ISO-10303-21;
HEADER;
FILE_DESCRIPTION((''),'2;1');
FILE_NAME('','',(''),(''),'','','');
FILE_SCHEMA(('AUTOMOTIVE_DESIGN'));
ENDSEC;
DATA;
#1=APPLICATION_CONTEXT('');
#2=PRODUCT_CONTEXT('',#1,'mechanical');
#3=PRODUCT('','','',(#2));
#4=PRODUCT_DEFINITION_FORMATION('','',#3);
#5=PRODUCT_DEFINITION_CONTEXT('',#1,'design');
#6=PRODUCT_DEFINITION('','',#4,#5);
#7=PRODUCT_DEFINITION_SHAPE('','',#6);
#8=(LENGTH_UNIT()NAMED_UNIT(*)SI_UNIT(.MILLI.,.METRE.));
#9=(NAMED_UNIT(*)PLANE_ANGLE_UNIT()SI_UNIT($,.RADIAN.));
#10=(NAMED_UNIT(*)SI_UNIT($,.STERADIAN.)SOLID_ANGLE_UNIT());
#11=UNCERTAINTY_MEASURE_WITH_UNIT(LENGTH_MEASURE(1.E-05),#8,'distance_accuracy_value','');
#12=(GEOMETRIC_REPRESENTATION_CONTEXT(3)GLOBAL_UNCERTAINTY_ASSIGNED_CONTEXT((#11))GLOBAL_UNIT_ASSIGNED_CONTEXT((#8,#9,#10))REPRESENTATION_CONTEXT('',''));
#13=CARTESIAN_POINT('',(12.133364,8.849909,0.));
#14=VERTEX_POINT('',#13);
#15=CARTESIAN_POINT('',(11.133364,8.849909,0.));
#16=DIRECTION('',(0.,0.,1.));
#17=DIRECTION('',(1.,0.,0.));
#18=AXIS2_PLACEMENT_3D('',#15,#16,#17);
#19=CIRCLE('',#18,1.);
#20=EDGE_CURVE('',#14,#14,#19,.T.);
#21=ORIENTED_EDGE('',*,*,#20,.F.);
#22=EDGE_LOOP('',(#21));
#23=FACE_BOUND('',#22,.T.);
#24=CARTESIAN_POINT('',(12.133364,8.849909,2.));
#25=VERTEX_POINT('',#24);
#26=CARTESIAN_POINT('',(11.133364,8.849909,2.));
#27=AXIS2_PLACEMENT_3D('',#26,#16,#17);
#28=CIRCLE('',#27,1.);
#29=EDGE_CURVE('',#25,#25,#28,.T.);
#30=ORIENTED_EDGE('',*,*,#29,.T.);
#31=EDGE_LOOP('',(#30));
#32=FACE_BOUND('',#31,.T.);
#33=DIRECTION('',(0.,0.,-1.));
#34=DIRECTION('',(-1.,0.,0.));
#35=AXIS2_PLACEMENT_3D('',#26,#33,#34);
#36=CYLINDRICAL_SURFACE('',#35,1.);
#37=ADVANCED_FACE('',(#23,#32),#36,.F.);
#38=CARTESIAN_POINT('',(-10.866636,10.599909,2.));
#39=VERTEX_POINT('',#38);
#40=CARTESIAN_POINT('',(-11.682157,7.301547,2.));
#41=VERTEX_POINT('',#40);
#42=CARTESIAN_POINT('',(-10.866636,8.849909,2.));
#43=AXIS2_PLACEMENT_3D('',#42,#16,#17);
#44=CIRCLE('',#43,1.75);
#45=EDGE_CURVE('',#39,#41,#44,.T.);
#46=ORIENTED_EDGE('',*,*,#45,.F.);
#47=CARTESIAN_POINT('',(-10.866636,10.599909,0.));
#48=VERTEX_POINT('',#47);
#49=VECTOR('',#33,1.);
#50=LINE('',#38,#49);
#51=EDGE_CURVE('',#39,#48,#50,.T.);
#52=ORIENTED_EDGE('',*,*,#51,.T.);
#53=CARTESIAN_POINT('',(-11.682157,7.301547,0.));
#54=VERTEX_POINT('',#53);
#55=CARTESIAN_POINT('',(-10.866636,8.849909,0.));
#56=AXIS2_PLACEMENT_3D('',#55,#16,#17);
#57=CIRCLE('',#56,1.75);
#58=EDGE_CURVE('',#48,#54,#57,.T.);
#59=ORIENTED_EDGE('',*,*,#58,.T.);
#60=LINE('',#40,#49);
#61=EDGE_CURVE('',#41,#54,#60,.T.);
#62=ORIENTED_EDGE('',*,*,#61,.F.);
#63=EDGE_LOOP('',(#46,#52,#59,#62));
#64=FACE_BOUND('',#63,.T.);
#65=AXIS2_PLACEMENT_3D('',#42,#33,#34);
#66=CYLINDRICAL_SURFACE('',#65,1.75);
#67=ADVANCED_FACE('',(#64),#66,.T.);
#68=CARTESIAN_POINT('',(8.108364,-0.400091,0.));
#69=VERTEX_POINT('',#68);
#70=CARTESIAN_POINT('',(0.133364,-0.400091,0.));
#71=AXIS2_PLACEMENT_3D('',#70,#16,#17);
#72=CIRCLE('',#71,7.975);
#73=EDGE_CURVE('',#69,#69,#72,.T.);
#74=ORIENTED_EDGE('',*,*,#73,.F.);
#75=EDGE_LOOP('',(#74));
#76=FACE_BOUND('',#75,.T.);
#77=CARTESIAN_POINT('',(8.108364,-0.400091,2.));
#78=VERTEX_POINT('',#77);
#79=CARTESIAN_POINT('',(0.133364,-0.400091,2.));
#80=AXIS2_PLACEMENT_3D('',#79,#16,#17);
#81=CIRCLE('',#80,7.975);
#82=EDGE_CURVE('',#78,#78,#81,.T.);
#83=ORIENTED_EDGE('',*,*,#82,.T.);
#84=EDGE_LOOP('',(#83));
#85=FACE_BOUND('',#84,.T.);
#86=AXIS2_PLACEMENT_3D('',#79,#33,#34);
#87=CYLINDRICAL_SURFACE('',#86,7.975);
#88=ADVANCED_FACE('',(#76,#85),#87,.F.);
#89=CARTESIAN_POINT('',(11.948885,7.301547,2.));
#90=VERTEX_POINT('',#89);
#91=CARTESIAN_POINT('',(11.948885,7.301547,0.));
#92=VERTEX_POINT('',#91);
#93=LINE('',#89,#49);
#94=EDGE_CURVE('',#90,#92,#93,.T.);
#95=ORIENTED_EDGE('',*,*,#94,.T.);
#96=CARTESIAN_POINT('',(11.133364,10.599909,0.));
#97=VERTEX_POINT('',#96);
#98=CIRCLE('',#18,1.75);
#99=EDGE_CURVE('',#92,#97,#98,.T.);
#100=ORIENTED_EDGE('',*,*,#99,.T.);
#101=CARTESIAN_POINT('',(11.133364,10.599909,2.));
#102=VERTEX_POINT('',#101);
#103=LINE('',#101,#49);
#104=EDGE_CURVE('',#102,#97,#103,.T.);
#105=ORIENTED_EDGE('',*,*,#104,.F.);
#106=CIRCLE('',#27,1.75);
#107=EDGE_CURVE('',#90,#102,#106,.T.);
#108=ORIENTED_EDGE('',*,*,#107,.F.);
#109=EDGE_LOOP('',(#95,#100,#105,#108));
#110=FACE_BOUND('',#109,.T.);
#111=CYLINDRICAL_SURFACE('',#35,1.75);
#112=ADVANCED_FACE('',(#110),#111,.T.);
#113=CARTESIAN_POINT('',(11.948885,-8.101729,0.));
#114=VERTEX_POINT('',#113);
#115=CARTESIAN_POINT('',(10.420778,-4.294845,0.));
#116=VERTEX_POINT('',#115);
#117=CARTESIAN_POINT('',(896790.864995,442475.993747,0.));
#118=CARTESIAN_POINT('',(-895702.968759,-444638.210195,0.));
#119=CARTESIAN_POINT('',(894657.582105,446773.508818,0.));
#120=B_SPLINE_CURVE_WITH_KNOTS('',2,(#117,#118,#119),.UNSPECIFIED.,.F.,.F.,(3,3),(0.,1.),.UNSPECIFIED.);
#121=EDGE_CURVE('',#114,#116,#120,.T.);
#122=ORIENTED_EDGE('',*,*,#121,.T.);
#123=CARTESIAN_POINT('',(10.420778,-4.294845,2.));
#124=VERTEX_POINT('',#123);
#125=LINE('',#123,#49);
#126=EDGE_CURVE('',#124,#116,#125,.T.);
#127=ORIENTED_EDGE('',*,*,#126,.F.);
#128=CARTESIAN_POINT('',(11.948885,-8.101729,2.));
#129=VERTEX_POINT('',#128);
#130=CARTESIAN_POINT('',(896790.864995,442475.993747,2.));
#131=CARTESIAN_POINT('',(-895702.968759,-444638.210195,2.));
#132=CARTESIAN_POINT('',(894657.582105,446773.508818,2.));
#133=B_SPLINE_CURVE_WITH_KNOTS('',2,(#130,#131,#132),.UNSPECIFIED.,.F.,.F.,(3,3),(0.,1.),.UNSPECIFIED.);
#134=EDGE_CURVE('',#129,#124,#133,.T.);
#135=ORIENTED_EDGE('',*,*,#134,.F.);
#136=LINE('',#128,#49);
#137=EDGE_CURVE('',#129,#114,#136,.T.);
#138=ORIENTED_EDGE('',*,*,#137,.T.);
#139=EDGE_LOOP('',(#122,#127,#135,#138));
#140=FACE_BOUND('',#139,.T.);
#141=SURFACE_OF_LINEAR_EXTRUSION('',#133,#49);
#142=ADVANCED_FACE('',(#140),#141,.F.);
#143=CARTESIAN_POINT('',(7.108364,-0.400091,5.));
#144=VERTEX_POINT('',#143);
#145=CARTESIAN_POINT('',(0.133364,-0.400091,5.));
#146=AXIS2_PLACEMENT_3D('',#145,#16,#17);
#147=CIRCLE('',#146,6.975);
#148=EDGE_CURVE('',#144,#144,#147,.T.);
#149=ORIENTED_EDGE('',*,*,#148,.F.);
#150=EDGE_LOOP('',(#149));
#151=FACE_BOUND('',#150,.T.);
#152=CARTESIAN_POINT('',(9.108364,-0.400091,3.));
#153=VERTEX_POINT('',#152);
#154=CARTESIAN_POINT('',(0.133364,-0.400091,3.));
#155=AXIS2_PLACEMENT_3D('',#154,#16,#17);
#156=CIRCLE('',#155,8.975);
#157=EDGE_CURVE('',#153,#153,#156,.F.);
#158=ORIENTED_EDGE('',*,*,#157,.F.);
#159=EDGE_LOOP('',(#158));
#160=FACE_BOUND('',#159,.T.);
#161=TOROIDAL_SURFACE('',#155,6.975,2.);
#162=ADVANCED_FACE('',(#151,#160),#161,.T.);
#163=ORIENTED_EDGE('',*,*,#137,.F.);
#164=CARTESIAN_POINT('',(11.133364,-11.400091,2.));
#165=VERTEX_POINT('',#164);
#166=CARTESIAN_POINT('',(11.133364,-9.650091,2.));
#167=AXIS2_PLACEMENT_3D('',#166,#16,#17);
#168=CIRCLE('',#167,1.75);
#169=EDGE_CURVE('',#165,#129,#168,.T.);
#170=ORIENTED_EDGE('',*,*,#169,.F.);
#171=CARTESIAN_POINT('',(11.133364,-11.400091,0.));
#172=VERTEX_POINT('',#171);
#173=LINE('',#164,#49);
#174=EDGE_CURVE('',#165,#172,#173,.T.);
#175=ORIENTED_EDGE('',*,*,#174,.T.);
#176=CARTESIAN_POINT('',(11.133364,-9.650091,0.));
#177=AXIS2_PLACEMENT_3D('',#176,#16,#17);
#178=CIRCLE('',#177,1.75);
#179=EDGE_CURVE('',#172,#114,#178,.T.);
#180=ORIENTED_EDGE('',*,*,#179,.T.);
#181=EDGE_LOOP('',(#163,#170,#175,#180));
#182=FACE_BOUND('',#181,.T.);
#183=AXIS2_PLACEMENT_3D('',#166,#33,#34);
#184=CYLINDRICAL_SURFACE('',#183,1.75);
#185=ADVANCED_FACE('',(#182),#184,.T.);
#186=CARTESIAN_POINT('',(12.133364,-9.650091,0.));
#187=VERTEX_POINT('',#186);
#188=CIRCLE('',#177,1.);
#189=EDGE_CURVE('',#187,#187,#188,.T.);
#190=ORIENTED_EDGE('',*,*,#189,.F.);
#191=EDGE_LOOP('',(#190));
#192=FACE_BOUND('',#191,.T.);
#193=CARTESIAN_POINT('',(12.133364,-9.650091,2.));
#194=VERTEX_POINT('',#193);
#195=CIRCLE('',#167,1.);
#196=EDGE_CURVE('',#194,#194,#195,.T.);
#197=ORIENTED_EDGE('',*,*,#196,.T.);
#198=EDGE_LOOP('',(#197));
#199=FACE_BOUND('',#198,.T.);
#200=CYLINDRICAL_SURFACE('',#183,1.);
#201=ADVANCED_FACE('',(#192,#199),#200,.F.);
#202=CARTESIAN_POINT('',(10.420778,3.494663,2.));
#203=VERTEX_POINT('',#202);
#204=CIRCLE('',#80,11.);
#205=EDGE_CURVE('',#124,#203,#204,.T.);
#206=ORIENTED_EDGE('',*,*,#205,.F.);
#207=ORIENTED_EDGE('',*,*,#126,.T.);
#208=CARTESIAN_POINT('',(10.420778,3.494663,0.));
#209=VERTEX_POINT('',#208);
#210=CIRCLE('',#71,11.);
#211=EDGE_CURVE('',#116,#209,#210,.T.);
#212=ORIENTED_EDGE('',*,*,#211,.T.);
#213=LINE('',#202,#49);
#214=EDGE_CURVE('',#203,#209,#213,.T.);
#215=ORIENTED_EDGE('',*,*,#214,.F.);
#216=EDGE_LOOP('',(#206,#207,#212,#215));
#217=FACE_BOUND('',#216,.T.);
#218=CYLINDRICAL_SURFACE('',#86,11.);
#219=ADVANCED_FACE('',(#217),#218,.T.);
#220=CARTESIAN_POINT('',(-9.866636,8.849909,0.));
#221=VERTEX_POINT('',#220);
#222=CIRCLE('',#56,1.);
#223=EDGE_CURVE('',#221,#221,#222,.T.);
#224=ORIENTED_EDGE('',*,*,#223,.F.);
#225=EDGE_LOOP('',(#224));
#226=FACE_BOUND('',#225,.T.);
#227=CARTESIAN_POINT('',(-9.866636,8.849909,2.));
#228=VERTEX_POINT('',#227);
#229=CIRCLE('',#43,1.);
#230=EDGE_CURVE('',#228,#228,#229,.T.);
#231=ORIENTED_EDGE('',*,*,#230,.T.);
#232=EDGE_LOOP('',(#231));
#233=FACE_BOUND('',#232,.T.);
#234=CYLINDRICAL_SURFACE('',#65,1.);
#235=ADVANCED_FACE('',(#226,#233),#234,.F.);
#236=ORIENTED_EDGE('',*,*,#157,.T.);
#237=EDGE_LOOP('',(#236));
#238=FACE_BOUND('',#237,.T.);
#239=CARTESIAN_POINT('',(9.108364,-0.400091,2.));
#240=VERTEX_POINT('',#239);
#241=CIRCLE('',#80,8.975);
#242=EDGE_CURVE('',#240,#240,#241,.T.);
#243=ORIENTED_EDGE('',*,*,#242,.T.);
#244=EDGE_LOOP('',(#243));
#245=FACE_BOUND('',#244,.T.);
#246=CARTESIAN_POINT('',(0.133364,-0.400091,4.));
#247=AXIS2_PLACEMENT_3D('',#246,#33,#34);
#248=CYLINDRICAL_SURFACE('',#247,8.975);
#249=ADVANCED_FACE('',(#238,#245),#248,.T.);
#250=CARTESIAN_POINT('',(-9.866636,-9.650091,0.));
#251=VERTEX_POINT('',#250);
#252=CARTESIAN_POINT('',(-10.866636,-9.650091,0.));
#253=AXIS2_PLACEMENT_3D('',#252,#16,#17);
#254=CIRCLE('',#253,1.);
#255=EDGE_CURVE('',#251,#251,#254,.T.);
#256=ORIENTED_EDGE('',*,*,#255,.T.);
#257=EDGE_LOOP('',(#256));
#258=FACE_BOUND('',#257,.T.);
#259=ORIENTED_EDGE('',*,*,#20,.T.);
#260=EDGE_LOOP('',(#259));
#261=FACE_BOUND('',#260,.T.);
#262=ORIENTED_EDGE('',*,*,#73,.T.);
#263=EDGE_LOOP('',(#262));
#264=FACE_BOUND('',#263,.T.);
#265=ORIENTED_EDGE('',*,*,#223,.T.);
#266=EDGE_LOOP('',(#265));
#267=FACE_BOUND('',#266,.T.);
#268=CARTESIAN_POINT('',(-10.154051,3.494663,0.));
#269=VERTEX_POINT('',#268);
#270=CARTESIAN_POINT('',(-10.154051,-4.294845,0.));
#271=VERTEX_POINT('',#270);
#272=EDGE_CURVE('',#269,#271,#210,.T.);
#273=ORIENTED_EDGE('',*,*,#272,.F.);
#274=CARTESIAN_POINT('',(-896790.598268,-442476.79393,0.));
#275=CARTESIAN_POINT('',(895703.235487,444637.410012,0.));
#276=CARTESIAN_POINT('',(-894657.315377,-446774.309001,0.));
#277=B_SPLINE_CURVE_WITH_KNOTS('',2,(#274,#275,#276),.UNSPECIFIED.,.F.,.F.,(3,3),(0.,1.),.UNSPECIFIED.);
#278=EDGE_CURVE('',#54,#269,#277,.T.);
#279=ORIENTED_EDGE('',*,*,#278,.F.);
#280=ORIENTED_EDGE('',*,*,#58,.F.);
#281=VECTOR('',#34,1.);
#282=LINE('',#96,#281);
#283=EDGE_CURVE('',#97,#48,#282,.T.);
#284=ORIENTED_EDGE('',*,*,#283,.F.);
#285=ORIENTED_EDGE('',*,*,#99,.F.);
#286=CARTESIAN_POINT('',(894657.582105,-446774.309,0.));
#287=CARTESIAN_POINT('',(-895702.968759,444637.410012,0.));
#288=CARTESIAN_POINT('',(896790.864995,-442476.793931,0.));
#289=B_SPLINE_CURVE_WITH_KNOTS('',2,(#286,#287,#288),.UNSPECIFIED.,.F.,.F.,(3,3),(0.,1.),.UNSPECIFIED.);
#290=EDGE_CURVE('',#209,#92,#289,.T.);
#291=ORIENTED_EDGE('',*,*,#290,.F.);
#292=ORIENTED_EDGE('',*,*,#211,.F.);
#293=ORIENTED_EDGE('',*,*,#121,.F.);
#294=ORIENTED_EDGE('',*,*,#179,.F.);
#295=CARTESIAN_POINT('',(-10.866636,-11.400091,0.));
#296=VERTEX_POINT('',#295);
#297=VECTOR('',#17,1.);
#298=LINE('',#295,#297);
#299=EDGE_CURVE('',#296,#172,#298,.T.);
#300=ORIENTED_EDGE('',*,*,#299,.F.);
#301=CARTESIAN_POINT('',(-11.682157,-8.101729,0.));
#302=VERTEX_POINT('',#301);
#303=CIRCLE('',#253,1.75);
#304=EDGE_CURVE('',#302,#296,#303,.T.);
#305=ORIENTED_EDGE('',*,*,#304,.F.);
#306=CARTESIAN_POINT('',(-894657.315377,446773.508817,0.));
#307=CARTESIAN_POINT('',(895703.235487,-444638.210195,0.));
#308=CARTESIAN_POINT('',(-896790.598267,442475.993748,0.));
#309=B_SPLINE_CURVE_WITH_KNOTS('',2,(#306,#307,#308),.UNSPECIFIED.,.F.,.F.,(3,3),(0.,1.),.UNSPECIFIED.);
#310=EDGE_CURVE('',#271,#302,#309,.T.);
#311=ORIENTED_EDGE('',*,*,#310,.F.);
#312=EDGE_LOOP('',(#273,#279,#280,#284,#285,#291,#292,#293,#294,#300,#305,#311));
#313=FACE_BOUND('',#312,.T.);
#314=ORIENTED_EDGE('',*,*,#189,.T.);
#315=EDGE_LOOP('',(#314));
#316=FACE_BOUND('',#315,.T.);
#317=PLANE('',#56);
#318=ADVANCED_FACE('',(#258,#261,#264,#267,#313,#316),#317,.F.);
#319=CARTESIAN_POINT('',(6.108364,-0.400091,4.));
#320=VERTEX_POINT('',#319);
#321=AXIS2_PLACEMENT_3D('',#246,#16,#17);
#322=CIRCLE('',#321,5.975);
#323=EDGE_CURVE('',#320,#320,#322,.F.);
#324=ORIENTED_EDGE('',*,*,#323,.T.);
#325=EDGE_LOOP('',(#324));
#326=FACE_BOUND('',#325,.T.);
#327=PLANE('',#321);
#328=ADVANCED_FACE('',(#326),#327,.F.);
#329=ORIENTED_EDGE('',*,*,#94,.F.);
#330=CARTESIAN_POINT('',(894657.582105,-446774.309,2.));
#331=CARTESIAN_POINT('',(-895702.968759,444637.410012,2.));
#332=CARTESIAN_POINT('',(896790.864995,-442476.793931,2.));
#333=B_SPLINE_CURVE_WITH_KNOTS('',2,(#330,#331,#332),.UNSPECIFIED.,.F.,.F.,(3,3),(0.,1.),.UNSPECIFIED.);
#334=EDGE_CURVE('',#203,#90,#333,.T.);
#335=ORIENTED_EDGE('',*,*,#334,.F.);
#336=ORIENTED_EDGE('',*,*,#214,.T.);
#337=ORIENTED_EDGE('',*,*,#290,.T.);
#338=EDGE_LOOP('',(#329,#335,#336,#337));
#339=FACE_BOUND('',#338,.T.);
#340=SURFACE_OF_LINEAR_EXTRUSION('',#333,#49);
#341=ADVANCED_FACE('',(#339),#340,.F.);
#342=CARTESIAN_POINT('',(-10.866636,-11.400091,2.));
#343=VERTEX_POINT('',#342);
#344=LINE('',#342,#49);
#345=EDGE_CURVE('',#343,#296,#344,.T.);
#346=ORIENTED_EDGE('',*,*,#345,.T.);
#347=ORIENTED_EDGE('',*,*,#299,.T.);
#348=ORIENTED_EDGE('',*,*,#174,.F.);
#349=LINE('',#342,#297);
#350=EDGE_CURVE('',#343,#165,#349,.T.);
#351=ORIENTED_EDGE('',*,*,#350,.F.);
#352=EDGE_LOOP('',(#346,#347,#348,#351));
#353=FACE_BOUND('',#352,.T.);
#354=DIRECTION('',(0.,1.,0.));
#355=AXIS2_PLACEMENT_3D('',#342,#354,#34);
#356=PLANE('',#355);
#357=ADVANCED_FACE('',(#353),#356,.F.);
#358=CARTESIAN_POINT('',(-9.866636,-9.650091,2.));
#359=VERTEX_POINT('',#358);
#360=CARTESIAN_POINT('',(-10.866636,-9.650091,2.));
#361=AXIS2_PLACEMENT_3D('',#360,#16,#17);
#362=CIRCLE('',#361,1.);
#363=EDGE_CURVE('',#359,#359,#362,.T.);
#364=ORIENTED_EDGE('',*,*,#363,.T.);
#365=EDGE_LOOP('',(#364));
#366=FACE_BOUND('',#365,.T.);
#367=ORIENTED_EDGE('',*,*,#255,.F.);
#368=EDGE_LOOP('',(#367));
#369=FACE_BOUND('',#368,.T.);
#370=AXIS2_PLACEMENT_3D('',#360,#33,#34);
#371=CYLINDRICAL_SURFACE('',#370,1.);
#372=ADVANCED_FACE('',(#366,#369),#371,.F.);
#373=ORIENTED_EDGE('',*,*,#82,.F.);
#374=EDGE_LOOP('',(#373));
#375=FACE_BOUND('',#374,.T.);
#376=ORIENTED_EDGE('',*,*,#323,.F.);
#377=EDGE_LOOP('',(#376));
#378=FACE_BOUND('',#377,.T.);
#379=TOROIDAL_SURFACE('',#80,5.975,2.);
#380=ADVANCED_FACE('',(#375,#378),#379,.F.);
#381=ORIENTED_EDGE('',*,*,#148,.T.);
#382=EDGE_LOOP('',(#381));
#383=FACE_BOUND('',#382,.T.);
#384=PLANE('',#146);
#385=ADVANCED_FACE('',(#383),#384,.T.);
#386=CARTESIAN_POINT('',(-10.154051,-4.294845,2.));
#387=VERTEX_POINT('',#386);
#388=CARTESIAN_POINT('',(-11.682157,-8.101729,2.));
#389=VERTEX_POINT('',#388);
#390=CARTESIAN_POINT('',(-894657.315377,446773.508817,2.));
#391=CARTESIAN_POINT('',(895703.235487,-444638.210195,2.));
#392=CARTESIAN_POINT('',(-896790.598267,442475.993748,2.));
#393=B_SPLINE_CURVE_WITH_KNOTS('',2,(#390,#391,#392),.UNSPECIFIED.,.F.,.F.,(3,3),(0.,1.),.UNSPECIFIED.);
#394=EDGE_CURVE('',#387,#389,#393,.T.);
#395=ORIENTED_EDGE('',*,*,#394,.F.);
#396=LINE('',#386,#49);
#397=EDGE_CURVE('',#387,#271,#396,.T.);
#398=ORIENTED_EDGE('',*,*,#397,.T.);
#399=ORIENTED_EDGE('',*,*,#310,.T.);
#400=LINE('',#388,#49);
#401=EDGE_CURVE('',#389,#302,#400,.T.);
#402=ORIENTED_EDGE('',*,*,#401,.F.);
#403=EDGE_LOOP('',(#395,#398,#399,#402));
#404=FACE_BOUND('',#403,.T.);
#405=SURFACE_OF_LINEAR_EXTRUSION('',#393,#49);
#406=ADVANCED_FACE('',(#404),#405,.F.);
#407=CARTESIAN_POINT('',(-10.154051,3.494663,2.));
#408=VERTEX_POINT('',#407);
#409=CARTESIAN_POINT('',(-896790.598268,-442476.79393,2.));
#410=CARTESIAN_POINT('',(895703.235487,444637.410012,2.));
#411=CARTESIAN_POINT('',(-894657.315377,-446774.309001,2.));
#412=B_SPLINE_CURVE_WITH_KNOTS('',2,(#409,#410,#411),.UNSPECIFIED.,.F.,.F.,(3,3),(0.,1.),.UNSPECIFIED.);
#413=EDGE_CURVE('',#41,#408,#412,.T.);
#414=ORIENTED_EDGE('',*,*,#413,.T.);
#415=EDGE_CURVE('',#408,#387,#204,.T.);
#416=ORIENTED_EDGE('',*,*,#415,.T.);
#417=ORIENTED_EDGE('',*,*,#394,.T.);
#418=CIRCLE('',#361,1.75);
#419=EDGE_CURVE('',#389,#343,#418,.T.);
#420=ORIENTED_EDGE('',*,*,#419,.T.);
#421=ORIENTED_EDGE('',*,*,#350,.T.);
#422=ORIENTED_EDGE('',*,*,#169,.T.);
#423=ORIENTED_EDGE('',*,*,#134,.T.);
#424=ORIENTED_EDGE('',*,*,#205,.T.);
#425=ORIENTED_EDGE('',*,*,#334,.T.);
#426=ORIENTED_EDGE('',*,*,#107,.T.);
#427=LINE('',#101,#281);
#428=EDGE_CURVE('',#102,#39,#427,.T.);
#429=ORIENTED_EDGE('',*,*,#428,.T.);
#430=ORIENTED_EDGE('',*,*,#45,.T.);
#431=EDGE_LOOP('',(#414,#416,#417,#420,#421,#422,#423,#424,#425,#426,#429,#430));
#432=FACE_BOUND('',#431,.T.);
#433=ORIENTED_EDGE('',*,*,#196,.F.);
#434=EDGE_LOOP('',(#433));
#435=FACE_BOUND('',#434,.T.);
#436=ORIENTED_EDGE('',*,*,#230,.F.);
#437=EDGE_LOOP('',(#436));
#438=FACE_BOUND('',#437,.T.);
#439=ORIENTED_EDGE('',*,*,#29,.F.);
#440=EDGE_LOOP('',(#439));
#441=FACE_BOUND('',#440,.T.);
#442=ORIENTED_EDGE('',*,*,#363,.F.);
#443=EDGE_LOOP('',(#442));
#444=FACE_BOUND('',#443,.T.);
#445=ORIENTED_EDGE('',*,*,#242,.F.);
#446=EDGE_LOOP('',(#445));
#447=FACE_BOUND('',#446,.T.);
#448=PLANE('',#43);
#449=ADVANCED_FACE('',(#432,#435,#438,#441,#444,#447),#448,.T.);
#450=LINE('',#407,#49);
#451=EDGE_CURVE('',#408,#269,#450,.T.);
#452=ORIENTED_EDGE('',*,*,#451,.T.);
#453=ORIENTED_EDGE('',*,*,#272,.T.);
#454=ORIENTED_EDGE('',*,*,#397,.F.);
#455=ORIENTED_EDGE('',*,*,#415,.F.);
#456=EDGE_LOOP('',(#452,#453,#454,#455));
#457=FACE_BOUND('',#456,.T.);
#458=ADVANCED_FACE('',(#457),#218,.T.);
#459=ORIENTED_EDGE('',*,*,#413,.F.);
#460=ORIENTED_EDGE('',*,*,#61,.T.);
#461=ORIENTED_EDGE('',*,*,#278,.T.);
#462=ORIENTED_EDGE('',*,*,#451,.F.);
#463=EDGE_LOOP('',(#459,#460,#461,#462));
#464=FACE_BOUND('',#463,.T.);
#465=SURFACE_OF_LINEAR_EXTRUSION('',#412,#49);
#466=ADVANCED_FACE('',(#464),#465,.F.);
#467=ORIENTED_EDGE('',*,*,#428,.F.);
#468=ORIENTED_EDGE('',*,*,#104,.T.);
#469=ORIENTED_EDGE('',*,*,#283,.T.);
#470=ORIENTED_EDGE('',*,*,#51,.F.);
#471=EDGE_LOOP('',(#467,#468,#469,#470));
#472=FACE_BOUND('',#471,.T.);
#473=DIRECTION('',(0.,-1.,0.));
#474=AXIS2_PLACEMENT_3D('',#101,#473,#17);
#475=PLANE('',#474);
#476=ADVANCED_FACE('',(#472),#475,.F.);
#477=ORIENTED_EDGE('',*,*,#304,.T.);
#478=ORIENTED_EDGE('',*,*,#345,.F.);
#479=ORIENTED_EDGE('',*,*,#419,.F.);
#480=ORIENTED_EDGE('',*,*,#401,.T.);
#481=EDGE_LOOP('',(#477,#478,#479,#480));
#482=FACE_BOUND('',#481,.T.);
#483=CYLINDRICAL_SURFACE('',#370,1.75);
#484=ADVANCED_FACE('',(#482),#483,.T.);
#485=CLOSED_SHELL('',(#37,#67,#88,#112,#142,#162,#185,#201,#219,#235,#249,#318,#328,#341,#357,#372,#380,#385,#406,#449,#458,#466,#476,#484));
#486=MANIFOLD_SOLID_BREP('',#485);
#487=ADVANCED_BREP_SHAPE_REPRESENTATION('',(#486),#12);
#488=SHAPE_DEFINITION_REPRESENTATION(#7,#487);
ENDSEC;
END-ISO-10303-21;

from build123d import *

# Parameters (mm, degrees)
SKETCH1_R           = 1
SKETCH1_R_2         = 7.975
BOSS_EXTRUDE1_DEPTH = 2
SKETCH2_R           = 8.975
SKETCH2_R_2         = 7.975
BOSS_EXTRUDE2_DEPTH = 2
SKETCH3_R           = 8.975
BOSS_EXTRUDE3_DEPTH = 1
FILLET1_R           = 2


with BuildPart() as part:
    # Sketch1 → Boss-Extrude1 (new body)
    with BuildSketch(Plane.XY):
        with BuildLine():
            Line((-10.866636256, -11.400091233), (11.133363744, -11.400091233))
            ThreePointArc((11.133363744, -11.400091233), (12.832206534, -10.070130727), (11.948884962, -8.101729149))
            add(Edge.make_bspline(
                [(11.948884962, -8.101729149), (9.883447826, -6.844292891), (10.420778008, -4.294845111)],
                knots=[0, 0, 0, 1, 1, 1], degree=2))
            ThreePointArc((10.420778008, -4.294845111), (11.133363745, -0.400091249), (10.420778018, 3.494662613))
            add(Edge.make_bspline(
                [(10.420778018, 3.494662613), (9.883447814, 6.044110418), (11.948884963, 7.301546684)],
                knots=[0, 0, 0, 1, 1, 1], degree=2))
            ThreePointArc((11.948884963, 7.301546684), (12.832206534, 9.269948262), (11.133363744, 10.599908767))
            Line((11.133363744, 10.599908767), (-10.866636256, 10.599908767))
            ThreePointArc((-10.866636256, 10.599908767), (-12.565479045, 9.269948261), (-11.682157474, 7.301546683))
            add(Edge.make_bspline(
                [(-11.682157474, 7.301546683), (-9.616720338, 6.044110425), (-10.15405052, 3.494662645)],
                knots=[0, 0, 0, 1, 1, 1], degree=2))
            ThreePointArc((-10.15405052, 3.494662645), (-10.866636257, -0.400091216), (-10.15405053, -4.294845078))
            add(Edge.make_bspline(
                [(-10.15405053, -4.294845078), (-9.616720326, -6.844292883), (-11.682157475, -8.101729149)],
                knots=[0, 0, 0, 1, 1, 1], degree=2))
            ThreePointArc((-11.682157475, -8.101729149), (-12.565479045, -10.070130727), (-10.866636256, -11.400091233))
        make_face()
        with Locations((-10.866636256, -9.650091233)):
            Circle(SKETCH1_R, mode=Mode.SUBTRACT)
        with Locations((11.133363744, -9.650091233)):
            Circle(SKETCH1_R, mode=Mode.SUBTRACT)
        with Locations((-10.866636256, 8.849908767)):
            Circle(SKETCH1_R, mode=Mode.SUBTRACT)
        with Locations((11.133363744, 8.849908767)):
            Circle(SKETCH1_R, mode=Mode.SUBTRACT)
        with Locations((0.133363744, -0.400091233)):
            Circle(SKETCH1_R_2, mode=Mode.SUBTRACT)
    extrude(amount=BOSS_EXTRUDE1_DEPTH)

    # Sketch2 → Boss-Extrude2 (add)
    with BuildSketch(Plane.XY.offset(2)):
        with Locations((0.133363744, -0.400091233)):
            Circle(SKETCH2_R)
        with Locations((0.133363744, -0.400091233)):
            Circle(SKETCH2_R_2, mode=Mode.SUBTRACT)
    extrude(amount=BOSS_EXTRUDE2_DEPTH)

    # Sketch3 → Boss-Extrude3 (add)
    with BuildSketch(Plane.XY.offset(4)):
        with Locations((0.133363744, -0.400091233)):
            Circle(SKETCH3_R)
    extrude(amount=BOSS_EXTRUDE3_DEPTH)

    # Fillet1
    fillet1_edges = [part.edges().sort_by_distance(p)[0] for p in [
        (-8.841636256, -0.400091233, 5),
        (-7.841636256, -0.400091233, 4),
    ]]
    fillet(fillet1_edges, radius=FILLET1_R)


solid = part.part
